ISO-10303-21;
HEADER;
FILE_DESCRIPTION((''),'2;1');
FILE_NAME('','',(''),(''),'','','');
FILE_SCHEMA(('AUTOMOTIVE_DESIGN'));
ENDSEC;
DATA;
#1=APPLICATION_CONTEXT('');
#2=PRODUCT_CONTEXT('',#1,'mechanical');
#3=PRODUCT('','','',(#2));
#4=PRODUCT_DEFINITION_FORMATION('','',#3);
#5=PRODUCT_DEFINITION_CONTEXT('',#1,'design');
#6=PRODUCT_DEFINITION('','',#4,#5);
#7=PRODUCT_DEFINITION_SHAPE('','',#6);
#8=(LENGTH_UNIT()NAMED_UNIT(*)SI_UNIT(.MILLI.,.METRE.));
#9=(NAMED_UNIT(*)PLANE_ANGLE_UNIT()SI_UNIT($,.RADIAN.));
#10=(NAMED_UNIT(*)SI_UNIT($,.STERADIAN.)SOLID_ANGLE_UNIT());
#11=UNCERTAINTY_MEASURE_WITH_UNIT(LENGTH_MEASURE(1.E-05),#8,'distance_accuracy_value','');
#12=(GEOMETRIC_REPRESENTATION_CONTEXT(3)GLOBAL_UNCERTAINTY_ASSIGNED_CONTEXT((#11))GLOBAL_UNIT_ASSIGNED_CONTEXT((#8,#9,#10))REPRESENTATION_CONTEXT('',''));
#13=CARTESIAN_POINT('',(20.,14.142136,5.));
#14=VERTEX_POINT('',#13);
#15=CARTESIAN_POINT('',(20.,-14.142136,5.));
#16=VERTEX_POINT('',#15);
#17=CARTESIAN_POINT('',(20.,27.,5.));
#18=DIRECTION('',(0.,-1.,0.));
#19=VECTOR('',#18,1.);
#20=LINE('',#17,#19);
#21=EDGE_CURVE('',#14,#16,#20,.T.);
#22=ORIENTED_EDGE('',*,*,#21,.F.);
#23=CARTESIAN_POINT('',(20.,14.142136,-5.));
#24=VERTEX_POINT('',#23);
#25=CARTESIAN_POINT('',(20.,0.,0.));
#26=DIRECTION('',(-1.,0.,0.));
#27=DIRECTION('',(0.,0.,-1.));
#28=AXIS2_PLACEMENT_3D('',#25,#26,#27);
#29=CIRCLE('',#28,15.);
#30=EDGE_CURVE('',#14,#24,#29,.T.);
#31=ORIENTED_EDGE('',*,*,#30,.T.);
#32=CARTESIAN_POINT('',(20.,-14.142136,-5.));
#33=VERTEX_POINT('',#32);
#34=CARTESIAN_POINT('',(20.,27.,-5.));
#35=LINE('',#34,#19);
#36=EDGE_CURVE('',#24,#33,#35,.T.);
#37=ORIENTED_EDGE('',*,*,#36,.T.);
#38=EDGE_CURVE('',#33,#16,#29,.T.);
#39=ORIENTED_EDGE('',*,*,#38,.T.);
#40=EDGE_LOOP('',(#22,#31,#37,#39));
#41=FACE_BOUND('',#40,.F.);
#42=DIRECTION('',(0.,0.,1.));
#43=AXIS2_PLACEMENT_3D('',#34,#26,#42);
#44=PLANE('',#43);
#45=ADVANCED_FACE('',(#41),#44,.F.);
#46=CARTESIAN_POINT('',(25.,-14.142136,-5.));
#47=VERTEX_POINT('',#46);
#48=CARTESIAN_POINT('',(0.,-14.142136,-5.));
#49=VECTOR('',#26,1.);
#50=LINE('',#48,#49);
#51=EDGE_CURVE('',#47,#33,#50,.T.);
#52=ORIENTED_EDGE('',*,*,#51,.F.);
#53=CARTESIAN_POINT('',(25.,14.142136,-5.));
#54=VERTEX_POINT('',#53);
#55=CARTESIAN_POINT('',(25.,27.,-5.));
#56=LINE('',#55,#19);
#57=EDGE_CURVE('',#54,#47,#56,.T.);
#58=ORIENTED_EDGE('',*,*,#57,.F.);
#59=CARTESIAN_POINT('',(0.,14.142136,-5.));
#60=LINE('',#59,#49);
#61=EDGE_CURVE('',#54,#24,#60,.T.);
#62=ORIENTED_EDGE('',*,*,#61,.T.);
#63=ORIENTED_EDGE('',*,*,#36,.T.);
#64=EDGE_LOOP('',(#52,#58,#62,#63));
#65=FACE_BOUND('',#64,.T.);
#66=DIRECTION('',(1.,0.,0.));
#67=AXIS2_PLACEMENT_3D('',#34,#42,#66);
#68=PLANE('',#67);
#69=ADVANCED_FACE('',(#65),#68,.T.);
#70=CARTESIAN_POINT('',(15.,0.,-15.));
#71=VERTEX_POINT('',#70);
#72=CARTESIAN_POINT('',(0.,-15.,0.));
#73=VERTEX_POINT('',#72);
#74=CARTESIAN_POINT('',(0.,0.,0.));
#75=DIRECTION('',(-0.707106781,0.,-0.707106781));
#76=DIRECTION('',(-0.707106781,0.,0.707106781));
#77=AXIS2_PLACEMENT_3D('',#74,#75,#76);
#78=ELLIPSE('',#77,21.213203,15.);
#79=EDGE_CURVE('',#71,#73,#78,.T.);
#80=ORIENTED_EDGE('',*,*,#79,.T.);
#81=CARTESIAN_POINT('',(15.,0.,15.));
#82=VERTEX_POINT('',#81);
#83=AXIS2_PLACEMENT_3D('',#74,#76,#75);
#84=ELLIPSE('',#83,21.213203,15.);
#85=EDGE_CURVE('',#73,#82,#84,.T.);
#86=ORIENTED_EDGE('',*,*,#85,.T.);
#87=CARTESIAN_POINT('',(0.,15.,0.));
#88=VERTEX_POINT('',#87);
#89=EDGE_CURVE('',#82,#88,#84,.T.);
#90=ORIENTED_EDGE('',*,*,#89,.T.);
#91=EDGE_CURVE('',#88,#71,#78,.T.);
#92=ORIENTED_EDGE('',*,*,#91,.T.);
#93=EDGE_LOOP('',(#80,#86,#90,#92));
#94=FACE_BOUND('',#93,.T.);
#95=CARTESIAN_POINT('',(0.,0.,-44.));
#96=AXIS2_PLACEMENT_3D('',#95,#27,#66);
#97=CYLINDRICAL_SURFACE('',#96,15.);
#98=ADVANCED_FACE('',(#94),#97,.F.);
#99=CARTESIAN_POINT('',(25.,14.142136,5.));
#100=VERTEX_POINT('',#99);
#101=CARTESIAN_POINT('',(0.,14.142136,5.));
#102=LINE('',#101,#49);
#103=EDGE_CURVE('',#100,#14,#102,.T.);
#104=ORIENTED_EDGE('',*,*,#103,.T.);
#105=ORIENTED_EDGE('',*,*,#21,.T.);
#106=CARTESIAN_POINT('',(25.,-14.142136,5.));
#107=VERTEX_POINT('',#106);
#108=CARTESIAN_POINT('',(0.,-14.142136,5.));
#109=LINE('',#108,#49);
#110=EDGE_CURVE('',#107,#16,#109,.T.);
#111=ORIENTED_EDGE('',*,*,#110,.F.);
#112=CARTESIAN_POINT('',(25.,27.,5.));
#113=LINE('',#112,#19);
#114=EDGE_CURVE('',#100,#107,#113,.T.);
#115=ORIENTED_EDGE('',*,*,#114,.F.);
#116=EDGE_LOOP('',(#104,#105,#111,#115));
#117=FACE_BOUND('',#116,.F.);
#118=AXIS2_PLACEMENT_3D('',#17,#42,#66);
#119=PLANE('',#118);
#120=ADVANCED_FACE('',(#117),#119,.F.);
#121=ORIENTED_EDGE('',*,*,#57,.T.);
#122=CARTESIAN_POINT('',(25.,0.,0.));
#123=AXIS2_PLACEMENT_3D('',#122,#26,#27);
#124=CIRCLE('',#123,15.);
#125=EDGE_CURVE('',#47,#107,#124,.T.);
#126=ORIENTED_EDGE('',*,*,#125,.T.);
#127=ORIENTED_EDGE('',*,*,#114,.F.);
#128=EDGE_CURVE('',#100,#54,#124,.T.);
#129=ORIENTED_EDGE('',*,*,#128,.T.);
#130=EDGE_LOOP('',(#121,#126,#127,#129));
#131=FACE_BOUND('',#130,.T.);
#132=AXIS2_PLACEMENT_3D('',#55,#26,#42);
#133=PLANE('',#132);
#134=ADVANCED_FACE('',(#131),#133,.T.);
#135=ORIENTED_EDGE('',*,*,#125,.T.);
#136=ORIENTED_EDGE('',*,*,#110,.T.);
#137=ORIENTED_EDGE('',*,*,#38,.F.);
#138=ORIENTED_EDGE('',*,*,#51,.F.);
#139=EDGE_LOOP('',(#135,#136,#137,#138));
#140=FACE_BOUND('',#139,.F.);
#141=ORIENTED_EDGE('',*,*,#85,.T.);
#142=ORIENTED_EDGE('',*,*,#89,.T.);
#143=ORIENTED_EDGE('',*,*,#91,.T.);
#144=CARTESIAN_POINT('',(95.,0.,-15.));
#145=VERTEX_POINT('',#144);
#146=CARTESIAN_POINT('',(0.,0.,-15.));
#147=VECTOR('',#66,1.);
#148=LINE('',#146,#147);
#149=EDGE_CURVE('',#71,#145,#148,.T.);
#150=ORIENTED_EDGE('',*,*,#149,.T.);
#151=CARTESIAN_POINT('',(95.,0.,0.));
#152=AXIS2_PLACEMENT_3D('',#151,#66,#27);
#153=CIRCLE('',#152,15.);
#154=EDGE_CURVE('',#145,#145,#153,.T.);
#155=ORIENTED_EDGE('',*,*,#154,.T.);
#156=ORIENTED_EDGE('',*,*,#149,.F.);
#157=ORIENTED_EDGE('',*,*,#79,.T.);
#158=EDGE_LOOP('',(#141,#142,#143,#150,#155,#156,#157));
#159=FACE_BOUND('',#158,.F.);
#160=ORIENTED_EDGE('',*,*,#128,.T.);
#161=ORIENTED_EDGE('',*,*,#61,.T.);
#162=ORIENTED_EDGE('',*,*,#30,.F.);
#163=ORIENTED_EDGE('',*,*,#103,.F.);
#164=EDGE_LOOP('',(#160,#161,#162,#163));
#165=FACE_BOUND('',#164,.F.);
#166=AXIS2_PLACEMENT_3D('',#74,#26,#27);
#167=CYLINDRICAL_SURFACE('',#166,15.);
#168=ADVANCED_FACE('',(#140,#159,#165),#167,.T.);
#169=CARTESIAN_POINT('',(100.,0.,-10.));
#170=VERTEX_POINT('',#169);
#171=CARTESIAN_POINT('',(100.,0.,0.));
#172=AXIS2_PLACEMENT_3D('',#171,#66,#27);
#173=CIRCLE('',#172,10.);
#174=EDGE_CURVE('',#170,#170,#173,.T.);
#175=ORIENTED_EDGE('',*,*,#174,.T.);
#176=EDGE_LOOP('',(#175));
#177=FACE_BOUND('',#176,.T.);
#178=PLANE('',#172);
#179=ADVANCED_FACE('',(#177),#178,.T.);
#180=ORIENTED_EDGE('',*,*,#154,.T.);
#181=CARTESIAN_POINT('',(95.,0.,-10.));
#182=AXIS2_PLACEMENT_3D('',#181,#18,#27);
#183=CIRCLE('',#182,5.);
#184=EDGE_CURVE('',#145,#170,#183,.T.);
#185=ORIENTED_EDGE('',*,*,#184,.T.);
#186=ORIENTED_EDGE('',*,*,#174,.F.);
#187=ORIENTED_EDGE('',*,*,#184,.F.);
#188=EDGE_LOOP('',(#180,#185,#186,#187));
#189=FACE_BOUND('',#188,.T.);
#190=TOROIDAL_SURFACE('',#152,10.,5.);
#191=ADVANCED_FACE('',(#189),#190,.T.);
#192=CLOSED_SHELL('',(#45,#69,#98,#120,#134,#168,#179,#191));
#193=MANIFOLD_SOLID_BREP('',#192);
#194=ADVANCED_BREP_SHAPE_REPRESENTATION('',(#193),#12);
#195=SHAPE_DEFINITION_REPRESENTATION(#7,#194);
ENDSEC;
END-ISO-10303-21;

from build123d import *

# Parameters (mm, degrees)
BOX_W                = 5
BOX_H                = 10
BOX_DEPTH            = 48
BOX_ROLL_ANGLE       = 90
CYLINDER001_R        = 15
CYLINDER001_DEPTH    = 100
CYLINDER_R           = 15
CYLINDER_DEPTH       = 100
CYLINDER_PITCH_ANGLE = 90
FILLET_R             = 5


with BuildPart() as cubo:
    # Box → Box (new body)
    with BuildSketch(Plane.XY):
        with Locations((2.5, 5)):
            Rectangle(BOX_W, BOX_H)
    extrude(amount=BOX_DEPTH)


with BuildPart() as cubo_1:
    # Box roll: moved
    add(cubo.part.rotate(Axis((0, 0, 0), (1, 0, 0)), BOX_ROLL_ANGLE))


with BuildPart() as cubo_2:
    # Box placement: moved
    add(cubo_1.part.moved(Location((20, 27, -5))))


with BuildPart() as cilindro001:
    # Cylinder001 → Cylinder001 (new body)
    with BuildSketch(Plane.XY.offset(-44)):
        Circle(CYLINDER001_R)
    extrude(amount=CYLINDER001_DEPTH)


with BuildPart() as fillet_body:
    # Cylinder → Cylinder (new body)
    with BuildSketch(Plane.XY):
        Circle(CYLINDER_R)
    extrude(amount=CYLINDER_DEPTH)


with BuildPart() as fillet_body_1:
    # Cylinder pitch: moved
    add(fillet_body.part.rotate(Axis((0, 0, 0), (0, 1, 0)), CYLINDER_PITCH_ANGLE))


with BuildPart() as fillet_body_2:
    # Cylinder placement: moved
    add(fillet_body_1.part)

    # Cut: cut Cilindro001
    add(cilindro001.part, mode=Mode.SUBTRACT)

    # Cut001: cut Cubo
    add(cubo_2.part, mode=Mode.SUBTRACT)

    # Fillet
    fillet_edges = [fillet_body_2.edges().sort_by_distance(p)[0] for p in [
        (100, 0, 15),
    ]]
    fillet(fillet_edges, radius=FILLET_R)


solid = fillet_body_2.part
